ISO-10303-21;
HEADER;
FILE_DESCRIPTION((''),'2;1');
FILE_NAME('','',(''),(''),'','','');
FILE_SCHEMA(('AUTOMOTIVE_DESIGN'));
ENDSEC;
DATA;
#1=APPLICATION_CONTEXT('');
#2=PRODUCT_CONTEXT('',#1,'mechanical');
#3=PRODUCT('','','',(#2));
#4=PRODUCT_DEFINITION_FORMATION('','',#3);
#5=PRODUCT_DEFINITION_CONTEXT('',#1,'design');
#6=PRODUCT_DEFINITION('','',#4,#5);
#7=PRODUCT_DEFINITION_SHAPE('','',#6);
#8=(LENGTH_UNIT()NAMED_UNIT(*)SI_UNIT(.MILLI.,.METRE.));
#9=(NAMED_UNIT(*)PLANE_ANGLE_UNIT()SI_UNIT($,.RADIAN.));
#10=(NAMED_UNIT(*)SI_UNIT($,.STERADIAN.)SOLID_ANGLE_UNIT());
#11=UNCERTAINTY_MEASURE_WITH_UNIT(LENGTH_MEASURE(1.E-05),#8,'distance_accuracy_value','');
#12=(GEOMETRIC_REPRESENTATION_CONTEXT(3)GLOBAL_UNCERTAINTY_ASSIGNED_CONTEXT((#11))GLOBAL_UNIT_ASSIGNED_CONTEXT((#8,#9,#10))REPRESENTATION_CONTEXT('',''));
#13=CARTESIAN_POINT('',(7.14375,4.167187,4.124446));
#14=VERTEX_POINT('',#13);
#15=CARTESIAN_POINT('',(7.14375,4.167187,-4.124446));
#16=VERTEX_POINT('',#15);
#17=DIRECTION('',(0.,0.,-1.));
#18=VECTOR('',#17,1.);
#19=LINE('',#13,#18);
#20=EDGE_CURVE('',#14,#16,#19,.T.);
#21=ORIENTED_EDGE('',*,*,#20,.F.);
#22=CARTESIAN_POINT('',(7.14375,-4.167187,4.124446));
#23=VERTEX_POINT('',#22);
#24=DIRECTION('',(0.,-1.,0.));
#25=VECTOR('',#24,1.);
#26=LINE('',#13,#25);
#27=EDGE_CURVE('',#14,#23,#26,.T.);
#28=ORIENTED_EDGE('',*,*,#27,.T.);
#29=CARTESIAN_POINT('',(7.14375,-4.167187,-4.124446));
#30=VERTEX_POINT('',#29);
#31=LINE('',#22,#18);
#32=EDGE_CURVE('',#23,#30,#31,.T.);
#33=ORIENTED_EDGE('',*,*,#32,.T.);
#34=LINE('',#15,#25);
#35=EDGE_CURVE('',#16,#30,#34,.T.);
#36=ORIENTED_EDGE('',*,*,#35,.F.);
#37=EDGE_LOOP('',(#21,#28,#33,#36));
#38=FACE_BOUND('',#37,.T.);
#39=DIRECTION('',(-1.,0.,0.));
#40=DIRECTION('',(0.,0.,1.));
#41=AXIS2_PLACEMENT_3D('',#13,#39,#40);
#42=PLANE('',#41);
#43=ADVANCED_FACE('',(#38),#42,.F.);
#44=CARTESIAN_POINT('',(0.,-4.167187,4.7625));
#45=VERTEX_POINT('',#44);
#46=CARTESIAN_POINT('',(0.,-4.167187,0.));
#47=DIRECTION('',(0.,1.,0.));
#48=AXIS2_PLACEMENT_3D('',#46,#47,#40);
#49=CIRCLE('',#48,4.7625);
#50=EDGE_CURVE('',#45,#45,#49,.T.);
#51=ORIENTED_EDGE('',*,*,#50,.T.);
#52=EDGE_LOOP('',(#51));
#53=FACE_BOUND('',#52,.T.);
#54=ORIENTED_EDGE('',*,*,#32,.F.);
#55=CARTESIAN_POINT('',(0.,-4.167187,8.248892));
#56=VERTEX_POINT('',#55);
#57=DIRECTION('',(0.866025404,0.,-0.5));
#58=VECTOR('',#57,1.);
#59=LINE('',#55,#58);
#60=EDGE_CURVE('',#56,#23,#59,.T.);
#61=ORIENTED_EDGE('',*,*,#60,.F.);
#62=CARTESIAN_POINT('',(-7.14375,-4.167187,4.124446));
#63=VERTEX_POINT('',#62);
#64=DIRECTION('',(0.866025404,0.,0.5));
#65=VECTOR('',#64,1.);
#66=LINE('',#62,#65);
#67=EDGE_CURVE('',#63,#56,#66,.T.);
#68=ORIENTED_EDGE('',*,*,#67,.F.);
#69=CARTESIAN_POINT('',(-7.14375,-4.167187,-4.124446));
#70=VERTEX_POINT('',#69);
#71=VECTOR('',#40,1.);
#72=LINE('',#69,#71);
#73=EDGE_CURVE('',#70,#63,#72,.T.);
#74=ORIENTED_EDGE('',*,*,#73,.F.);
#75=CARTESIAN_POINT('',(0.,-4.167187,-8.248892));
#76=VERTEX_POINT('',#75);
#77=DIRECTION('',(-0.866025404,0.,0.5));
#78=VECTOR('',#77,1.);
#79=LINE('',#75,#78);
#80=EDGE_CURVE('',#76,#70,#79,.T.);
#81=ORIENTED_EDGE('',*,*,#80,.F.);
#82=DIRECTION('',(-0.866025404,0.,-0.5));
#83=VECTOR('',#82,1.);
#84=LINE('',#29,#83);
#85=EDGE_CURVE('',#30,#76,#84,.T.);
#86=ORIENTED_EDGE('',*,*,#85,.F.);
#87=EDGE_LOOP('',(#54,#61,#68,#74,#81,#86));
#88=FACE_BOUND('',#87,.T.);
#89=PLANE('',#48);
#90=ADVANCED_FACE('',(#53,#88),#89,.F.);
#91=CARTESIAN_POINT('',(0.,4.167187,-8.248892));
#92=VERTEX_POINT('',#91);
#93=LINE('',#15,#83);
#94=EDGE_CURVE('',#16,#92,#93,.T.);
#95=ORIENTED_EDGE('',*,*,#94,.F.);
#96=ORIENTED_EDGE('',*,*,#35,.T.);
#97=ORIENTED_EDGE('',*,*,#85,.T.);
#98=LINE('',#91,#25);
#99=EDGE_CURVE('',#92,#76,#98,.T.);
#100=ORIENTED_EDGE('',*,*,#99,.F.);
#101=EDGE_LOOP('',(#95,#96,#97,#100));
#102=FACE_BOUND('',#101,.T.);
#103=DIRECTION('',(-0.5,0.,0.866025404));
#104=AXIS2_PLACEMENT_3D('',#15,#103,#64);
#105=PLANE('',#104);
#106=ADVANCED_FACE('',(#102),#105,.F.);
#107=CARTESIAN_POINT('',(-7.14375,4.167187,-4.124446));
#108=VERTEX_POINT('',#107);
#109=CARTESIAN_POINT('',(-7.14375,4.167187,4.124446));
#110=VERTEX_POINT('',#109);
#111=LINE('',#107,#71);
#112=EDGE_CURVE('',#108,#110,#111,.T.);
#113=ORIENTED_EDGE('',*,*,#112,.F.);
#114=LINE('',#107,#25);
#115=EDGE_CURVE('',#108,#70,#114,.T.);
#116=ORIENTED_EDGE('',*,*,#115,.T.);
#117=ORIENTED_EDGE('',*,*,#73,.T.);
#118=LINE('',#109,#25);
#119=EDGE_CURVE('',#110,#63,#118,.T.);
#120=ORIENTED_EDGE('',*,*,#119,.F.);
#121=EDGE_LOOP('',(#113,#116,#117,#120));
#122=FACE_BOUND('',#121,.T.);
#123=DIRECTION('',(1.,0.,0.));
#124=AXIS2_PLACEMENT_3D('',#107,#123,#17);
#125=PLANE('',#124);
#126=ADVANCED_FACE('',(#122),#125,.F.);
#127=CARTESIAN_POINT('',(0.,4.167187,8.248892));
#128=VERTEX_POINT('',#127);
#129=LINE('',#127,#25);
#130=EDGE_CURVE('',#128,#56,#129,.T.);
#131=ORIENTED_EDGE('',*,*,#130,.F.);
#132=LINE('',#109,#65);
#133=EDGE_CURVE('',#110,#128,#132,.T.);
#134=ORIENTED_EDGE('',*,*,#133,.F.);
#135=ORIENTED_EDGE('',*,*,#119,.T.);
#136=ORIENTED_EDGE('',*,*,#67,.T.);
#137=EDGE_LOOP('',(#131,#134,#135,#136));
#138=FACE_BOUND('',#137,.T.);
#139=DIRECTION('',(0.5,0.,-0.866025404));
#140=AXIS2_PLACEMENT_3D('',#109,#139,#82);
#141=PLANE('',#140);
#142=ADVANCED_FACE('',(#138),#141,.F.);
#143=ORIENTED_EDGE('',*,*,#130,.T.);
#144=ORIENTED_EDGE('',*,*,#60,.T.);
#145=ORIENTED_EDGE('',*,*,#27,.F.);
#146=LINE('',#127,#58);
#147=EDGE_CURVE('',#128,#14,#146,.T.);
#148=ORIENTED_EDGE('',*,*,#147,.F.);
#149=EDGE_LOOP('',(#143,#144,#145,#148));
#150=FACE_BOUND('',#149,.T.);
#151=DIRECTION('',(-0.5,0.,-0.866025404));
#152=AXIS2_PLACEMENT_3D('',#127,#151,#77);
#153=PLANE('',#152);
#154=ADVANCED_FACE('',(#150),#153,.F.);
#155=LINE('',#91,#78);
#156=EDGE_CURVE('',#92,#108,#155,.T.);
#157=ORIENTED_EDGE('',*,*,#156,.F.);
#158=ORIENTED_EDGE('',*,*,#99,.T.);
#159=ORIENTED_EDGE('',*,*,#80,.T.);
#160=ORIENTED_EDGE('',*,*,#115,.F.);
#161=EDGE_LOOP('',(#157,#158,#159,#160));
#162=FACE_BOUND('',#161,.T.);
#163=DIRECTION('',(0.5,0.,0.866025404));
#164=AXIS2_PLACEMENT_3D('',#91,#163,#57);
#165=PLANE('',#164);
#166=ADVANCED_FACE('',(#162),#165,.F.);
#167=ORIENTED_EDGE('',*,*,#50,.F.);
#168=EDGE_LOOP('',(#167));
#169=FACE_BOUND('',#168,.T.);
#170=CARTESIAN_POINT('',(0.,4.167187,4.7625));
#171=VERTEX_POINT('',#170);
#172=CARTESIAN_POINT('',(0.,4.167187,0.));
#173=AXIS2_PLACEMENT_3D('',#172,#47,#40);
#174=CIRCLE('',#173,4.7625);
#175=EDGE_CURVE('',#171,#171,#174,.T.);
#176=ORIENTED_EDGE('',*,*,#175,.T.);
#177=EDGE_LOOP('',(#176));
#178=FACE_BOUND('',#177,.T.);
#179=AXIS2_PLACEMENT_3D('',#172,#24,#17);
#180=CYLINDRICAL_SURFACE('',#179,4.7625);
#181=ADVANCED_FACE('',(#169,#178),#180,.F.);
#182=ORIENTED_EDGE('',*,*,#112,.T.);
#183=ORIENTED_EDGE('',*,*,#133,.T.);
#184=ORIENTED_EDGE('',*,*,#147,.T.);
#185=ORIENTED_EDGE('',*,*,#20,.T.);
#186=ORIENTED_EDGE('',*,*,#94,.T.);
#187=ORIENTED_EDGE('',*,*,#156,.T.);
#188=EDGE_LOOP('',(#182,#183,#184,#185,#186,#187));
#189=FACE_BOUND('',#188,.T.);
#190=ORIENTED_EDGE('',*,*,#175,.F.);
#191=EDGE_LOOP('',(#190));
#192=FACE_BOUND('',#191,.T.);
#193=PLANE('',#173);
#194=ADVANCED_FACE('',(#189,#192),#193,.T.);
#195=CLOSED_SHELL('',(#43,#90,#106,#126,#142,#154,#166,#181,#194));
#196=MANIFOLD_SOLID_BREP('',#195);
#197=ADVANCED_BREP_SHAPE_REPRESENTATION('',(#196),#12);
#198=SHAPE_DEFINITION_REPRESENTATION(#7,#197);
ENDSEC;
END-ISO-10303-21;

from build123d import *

# Parameters (mm, degrees)
BOSS_EXTRUDE1_DEPTH      = 4.167188
BOSS_EXTRUDE1_DEPTH_BACK = 4.167187
SKETCH11_R               = 4.7625


with BuildPart() as part:
    # Sketch11 → Boss-Extrude1 (new, two sides: drawn at the far end of the back side and taken through both)
    with BuildSketch(Plane(origin=(0, 0, 0), x_dir=(1, 0, 0), z_dir=(0, 1, 0)).offset(-BOSS_EXTRUDE1_DEPTH_BACK)):
        Polygon((0, 8.248891971), (-7.14375, 4.124445986), (-7.14375, -4.124445986), (0, -8.248891971), (7.14375, -4.124445986), (7.14375, 4.124445986), align=None)
        with Locations(Location((0, 0, 0), (0, 0, 270))):
            Circle(SKETCH11_R, mode=Mode.SUBTRACT)
    extrude(amount=BOSS_EXTRUDE1_DEPTH + BOSS_EXTRUDE1_DEPTH_BACK)


solid = part.part
